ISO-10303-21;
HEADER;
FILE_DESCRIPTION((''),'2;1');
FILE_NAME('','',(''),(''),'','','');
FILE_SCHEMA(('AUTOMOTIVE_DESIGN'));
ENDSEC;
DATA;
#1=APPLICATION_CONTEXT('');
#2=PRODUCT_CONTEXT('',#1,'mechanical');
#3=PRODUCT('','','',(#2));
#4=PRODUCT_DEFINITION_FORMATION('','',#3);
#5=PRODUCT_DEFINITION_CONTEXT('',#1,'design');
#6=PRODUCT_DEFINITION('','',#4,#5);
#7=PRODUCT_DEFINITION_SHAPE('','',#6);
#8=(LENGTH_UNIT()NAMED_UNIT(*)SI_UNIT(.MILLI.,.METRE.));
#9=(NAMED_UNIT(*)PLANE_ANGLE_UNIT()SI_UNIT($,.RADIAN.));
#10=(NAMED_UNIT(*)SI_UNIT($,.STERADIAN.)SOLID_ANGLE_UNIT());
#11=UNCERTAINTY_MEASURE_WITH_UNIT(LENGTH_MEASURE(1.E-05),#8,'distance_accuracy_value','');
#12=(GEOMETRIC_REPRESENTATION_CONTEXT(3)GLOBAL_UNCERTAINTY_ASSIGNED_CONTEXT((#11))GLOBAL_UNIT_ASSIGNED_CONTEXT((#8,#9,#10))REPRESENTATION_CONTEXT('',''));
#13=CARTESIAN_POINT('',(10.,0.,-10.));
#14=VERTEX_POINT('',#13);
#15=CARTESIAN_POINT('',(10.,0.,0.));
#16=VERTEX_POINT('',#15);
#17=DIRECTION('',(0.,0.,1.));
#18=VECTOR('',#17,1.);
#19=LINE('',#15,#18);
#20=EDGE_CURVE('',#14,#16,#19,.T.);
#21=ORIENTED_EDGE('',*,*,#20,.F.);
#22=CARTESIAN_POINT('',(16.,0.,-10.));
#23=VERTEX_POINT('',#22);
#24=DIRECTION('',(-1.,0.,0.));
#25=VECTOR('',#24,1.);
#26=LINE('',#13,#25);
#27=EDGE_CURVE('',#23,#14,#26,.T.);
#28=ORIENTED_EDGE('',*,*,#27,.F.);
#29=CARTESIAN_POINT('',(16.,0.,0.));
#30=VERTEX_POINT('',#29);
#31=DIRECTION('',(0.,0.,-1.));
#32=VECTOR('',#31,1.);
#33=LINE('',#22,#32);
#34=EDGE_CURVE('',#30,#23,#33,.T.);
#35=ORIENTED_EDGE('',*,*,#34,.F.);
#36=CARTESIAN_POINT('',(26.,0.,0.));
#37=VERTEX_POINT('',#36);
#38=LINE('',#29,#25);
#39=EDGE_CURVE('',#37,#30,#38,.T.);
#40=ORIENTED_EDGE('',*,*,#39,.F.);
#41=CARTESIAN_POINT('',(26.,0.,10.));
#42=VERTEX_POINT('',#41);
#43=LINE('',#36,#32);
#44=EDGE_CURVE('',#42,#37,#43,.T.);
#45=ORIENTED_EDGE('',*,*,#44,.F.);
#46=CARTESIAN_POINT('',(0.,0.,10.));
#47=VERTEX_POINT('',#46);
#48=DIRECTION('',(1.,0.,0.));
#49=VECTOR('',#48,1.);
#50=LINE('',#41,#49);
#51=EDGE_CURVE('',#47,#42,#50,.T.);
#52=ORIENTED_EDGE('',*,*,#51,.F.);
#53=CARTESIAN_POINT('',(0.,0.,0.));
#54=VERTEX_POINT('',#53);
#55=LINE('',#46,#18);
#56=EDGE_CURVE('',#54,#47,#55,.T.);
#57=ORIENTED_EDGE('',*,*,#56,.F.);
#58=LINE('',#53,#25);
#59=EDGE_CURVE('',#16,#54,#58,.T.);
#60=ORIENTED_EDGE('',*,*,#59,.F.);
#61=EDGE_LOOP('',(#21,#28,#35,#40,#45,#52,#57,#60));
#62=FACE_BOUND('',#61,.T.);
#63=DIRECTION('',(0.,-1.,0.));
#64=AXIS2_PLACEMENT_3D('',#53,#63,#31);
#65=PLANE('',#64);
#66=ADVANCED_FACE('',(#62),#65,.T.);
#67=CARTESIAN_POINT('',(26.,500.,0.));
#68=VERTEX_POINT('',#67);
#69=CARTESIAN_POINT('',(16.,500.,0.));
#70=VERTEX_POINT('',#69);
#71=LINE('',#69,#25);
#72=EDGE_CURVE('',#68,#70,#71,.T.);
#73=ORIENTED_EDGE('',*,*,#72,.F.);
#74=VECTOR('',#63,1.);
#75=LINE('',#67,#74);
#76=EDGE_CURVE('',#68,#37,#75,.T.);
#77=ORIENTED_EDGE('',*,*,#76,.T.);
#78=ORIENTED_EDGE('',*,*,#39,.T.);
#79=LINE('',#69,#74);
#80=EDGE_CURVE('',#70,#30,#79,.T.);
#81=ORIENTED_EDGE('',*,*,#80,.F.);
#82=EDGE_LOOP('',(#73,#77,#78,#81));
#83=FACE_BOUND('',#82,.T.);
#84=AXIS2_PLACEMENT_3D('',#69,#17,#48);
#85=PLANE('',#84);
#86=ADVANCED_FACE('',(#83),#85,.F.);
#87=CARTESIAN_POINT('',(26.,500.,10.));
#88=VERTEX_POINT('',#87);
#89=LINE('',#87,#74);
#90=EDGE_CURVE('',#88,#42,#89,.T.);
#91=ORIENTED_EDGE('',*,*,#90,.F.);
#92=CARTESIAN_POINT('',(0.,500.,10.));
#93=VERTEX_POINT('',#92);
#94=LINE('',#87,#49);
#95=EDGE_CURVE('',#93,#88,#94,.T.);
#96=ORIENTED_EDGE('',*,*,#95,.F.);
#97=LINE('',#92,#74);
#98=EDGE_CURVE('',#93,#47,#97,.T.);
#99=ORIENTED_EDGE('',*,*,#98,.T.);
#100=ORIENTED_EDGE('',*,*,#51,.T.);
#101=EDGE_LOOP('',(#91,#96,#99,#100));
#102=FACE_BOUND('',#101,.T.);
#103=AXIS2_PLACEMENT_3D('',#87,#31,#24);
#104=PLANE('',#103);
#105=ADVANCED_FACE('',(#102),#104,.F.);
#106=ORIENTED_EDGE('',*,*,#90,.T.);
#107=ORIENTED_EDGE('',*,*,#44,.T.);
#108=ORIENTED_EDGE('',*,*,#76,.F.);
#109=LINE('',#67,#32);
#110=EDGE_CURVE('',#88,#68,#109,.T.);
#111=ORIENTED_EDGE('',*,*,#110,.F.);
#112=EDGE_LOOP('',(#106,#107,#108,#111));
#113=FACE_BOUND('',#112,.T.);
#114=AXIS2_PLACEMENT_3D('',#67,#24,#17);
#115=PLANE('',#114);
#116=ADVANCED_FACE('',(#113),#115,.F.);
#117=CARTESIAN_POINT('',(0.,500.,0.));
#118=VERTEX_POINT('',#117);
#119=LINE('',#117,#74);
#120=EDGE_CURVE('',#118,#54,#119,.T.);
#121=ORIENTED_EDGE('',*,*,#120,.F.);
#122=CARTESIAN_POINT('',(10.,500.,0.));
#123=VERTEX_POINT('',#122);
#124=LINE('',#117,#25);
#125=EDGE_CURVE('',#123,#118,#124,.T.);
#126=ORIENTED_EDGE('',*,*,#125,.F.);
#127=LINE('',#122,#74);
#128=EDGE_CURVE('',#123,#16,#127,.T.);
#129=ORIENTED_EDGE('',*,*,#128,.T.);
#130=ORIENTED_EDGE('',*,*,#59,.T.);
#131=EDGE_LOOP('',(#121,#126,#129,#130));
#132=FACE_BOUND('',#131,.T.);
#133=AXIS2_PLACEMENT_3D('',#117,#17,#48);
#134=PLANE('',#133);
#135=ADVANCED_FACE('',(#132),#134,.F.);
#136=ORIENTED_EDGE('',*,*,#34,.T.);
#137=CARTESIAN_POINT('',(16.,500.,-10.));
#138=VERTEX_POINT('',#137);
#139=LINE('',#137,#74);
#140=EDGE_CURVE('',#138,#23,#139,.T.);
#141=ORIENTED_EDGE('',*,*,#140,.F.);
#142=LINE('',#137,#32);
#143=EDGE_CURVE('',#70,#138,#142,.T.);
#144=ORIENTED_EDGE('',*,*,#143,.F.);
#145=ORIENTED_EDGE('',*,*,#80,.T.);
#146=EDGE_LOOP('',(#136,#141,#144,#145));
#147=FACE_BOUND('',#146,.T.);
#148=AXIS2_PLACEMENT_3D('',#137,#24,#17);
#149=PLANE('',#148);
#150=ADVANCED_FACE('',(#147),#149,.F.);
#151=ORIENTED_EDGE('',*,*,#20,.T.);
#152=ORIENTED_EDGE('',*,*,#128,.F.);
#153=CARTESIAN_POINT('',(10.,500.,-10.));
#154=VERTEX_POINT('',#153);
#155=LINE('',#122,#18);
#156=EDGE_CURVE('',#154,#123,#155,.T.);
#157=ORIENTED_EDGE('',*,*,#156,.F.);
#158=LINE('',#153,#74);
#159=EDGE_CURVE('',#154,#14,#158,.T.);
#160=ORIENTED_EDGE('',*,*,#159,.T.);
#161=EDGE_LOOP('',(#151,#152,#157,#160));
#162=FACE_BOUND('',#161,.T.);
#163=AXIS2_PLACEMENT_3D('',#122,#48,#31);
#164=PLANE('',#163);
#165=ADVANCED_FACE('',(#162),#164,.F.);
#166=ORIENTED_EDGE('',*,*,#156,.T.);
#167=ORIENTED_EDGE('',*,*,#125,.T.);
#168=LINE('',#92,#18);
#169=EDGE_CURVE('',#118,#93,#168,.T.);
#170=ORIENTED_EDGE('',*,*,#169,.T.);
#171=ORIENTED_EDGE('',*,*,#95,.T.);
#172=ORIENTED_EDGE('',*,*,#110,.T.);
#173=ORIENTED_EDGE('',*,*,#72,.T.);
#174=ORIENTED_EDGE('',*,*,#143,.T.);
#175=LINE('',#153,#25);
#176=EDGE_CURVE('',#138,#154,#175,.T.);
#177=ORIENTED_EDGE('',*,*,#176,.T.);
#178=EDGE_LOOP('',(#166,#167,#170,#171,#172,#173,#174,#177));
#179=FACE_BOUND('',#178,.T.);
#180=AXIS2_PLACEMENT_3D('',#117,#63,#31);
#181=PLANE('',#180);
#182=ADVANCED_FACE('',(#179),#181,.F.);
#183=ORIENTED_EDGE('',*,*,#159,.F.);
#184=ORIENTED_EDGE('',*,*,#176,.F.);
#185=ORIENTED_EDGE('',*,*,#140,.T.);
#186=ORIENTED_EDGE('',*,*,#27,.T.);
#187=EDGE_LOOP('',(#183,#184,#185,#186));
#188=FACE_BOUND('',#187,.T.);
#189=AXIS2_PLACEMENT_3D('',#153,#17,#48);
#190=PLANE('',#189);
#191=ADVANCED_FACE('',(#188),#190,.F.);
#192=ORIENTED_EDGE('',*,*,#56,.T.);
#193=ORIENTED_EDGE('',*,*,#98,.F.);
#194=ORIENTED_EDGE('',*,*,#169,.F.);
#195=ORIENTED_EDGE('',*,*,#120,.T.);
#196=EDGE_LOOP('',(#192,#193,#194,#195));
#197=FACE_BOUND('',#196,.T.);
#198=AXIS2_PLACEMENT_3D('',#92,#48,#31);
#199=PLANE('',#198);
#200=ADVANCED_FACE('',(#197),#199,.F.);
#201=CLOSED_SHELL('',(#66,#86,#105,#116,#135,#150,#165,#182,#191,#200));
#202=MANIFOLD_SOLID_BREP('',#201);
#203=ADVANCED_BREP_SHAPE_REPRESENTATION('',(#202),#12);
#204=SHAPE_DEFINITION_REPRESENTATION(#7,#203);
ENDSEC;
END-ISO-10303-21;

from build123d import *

# Parameters (mm, degrees)
EXTRUDE_1_DEPTH = 500


with BuildPart() as part:
    # 草图2 → 凸台-拉伸1 (new body)
    with BuildSketch(Plane(origin=(0, 0, 0), x_dir=(1, 0, 0), z_dir=(0, 1, 0))):
        Polygon((0, 0), (10, 0), (10, 10), (16, 10), (16, 0), (26, 0), (26, -10), (0, -10), align=None)
    extrude(amount=EXTRUDE_1_DEPTH)


solid = part.part
